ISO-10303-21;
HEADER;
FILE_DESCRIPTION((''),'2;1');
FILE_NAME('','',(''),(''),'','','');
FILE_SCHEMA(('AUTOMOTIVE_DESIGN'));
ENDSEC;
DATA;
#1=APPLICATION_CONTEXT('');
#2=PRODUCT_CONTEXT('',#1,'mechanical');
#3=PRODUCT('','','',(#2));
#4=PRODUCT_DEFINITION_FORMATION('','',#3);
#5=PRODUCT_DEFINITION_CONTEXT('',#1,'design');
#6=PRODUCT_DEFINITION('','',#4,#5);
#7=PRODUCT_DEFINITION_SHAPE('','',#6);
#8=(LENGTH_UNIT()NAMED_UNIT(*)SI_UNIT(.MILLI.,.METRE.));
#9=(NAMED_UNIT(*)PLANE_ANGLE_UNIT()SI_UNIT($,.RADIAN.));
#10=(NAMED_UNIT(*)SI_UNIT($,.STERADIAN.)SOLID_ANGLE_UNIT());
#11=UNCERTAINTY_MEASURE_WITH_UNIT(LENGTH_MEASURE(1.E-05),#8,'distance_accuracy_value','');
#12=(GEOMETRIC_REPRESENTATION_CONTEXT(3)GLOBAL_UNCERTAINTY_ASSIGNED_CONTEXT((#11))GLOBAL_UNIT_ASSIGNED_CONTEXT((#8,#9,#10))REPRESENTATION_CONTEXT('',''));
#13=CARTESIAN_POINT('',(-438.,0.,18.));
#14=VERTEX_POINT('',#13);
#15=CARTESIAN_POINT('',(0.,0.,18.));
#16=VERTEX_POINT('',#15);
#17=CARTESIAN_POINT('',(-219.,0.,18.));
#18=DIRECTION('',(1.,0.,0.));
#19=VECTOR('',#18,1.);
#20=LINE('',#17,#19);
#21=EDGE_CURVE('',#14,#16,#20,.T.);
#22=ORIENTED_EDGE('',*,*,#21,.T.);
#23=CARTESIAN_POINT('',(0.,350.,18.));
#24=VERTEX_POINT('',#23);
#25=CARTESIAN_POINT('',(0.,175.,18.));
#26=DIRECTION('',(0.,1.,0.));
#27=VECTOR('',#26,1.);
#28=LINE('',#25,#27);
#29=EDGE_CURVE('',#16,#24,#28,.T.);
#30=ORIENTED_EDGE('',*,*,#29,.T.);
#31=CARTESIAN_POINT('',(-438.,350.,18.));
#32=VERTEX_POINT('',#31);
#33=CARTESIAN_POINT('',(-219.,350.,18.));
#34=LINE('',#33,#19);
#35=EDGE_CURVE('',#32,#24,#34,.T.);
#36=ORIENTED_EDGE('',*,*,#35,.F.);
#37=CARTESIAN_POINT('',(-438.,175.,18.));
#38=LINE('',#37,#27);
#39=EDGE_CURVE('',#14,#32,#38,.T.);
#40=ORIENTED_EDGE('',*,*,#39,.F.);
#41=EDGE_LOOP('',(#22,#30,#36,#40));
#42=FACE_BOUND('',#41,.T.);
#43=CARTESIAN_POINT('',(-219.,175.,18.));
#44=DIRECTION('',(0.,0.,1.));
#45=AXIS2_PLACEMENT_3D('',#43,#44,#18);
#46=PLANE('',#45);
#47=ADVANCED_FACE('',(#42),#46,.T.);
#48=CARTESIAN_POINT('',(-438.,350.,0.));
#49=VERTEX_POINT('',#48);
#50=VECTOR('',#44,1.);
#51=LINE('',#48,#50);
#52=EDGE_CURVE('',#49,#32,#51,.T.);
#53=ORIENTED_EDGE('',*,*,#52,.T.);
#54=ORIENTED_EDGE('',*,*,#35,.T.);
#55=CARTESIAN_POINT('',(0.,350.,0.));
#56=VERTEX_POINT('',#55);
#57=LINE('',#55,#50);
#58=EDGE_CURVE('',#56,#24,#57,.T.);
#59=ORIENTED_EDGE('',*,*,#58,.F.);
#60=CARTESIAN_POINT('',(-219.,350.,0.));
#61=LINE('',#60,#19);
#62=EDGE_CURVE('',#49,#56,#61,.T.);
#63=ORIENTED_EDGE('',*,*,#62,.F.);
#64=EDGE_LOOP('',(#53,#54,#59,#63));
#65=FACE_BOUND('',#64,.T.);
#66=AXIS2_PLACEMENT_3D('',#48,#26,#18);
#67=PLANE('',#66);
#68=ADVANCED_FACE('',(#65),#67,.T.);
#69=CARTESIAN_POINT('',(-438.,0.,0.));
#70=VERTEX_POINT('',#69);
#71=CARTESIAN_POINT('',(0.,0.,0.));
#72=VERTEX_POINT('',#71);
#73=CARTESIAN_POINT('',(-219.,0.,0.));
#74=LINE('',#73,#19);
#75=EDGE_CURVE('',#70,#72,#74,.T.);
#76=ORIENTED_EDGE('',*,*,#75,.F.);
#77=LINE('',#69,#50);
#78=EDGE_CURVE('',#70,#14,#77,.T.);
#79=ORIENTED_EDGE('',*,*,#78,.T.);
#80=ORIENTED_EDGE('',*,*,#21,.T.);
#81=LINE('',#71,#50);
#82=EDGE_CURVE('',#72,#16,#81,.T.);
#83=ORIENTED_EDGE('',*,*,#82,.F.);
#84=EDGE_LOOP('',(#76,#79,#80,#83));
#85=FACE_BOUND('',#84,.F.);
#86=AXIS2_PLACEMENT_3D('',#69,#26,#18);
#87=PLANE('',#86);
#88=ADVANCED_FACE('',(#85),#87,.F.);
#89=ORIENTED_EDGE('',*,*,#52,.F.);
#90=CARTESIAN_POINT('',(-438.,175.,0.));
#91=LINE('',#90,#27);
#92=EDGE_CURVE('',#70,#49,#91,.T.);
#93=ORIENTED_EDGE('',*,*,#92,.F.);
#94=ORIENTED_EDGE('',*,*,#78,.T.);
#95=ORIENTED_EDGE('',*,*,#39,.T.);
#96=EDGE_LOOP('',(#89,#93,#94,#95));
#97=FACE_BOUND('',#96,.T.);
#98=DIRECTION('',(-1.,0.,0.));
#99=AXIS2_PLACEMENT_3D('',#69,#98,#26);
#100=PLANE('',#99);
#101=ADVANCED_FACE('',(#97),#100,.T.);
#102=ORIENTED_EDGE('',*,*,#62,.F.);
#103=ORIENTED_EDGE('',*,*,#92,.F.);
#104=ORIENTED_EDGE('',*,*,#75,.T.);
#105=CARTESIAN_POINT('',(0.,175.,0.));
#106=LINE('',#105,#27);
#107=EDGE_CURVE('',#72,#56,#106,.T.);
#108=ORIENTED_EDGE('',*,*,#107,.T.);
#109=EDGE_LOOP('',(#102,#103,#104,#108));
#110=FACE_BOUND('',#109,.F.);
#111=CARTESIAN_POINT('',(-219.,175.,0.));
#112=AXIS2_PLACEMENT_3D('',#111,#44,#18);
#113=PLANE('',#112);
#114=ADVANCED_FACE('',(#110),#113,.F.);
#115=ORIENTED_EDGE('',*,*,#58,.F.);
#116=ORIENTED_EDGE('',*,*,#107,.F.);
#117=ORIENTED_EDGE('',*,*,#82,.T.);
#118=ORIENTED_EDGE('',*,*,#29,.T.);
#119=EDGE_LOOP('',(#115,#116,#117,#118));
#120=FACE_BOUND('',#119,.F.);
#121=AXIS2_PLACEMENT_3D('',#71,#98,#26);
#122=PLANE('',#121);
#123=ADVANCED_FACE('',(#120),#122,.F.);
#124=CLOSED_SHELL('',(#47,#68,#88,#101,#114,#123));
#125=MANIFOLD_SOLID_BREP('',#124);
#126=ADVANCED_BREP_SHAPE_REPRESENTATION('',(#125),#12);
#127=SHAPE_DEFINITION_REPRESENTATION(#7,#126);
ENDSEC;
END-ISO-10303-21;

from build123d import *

# Parameters (mm, degrees)
SKETCH_W  = 438
SKETCH_H  = 350
PAD_DEPTH = 18


with BuildPart() as part:
    # Sketch → Pad (new body)
    with BuildSketch(Plane.XY):
        with Locations((-219, 175)):
            Rectangle(SKETCH_W, SKETCH_H)
    extrude(amount=PAD_DEPTH)


solid = part.part
